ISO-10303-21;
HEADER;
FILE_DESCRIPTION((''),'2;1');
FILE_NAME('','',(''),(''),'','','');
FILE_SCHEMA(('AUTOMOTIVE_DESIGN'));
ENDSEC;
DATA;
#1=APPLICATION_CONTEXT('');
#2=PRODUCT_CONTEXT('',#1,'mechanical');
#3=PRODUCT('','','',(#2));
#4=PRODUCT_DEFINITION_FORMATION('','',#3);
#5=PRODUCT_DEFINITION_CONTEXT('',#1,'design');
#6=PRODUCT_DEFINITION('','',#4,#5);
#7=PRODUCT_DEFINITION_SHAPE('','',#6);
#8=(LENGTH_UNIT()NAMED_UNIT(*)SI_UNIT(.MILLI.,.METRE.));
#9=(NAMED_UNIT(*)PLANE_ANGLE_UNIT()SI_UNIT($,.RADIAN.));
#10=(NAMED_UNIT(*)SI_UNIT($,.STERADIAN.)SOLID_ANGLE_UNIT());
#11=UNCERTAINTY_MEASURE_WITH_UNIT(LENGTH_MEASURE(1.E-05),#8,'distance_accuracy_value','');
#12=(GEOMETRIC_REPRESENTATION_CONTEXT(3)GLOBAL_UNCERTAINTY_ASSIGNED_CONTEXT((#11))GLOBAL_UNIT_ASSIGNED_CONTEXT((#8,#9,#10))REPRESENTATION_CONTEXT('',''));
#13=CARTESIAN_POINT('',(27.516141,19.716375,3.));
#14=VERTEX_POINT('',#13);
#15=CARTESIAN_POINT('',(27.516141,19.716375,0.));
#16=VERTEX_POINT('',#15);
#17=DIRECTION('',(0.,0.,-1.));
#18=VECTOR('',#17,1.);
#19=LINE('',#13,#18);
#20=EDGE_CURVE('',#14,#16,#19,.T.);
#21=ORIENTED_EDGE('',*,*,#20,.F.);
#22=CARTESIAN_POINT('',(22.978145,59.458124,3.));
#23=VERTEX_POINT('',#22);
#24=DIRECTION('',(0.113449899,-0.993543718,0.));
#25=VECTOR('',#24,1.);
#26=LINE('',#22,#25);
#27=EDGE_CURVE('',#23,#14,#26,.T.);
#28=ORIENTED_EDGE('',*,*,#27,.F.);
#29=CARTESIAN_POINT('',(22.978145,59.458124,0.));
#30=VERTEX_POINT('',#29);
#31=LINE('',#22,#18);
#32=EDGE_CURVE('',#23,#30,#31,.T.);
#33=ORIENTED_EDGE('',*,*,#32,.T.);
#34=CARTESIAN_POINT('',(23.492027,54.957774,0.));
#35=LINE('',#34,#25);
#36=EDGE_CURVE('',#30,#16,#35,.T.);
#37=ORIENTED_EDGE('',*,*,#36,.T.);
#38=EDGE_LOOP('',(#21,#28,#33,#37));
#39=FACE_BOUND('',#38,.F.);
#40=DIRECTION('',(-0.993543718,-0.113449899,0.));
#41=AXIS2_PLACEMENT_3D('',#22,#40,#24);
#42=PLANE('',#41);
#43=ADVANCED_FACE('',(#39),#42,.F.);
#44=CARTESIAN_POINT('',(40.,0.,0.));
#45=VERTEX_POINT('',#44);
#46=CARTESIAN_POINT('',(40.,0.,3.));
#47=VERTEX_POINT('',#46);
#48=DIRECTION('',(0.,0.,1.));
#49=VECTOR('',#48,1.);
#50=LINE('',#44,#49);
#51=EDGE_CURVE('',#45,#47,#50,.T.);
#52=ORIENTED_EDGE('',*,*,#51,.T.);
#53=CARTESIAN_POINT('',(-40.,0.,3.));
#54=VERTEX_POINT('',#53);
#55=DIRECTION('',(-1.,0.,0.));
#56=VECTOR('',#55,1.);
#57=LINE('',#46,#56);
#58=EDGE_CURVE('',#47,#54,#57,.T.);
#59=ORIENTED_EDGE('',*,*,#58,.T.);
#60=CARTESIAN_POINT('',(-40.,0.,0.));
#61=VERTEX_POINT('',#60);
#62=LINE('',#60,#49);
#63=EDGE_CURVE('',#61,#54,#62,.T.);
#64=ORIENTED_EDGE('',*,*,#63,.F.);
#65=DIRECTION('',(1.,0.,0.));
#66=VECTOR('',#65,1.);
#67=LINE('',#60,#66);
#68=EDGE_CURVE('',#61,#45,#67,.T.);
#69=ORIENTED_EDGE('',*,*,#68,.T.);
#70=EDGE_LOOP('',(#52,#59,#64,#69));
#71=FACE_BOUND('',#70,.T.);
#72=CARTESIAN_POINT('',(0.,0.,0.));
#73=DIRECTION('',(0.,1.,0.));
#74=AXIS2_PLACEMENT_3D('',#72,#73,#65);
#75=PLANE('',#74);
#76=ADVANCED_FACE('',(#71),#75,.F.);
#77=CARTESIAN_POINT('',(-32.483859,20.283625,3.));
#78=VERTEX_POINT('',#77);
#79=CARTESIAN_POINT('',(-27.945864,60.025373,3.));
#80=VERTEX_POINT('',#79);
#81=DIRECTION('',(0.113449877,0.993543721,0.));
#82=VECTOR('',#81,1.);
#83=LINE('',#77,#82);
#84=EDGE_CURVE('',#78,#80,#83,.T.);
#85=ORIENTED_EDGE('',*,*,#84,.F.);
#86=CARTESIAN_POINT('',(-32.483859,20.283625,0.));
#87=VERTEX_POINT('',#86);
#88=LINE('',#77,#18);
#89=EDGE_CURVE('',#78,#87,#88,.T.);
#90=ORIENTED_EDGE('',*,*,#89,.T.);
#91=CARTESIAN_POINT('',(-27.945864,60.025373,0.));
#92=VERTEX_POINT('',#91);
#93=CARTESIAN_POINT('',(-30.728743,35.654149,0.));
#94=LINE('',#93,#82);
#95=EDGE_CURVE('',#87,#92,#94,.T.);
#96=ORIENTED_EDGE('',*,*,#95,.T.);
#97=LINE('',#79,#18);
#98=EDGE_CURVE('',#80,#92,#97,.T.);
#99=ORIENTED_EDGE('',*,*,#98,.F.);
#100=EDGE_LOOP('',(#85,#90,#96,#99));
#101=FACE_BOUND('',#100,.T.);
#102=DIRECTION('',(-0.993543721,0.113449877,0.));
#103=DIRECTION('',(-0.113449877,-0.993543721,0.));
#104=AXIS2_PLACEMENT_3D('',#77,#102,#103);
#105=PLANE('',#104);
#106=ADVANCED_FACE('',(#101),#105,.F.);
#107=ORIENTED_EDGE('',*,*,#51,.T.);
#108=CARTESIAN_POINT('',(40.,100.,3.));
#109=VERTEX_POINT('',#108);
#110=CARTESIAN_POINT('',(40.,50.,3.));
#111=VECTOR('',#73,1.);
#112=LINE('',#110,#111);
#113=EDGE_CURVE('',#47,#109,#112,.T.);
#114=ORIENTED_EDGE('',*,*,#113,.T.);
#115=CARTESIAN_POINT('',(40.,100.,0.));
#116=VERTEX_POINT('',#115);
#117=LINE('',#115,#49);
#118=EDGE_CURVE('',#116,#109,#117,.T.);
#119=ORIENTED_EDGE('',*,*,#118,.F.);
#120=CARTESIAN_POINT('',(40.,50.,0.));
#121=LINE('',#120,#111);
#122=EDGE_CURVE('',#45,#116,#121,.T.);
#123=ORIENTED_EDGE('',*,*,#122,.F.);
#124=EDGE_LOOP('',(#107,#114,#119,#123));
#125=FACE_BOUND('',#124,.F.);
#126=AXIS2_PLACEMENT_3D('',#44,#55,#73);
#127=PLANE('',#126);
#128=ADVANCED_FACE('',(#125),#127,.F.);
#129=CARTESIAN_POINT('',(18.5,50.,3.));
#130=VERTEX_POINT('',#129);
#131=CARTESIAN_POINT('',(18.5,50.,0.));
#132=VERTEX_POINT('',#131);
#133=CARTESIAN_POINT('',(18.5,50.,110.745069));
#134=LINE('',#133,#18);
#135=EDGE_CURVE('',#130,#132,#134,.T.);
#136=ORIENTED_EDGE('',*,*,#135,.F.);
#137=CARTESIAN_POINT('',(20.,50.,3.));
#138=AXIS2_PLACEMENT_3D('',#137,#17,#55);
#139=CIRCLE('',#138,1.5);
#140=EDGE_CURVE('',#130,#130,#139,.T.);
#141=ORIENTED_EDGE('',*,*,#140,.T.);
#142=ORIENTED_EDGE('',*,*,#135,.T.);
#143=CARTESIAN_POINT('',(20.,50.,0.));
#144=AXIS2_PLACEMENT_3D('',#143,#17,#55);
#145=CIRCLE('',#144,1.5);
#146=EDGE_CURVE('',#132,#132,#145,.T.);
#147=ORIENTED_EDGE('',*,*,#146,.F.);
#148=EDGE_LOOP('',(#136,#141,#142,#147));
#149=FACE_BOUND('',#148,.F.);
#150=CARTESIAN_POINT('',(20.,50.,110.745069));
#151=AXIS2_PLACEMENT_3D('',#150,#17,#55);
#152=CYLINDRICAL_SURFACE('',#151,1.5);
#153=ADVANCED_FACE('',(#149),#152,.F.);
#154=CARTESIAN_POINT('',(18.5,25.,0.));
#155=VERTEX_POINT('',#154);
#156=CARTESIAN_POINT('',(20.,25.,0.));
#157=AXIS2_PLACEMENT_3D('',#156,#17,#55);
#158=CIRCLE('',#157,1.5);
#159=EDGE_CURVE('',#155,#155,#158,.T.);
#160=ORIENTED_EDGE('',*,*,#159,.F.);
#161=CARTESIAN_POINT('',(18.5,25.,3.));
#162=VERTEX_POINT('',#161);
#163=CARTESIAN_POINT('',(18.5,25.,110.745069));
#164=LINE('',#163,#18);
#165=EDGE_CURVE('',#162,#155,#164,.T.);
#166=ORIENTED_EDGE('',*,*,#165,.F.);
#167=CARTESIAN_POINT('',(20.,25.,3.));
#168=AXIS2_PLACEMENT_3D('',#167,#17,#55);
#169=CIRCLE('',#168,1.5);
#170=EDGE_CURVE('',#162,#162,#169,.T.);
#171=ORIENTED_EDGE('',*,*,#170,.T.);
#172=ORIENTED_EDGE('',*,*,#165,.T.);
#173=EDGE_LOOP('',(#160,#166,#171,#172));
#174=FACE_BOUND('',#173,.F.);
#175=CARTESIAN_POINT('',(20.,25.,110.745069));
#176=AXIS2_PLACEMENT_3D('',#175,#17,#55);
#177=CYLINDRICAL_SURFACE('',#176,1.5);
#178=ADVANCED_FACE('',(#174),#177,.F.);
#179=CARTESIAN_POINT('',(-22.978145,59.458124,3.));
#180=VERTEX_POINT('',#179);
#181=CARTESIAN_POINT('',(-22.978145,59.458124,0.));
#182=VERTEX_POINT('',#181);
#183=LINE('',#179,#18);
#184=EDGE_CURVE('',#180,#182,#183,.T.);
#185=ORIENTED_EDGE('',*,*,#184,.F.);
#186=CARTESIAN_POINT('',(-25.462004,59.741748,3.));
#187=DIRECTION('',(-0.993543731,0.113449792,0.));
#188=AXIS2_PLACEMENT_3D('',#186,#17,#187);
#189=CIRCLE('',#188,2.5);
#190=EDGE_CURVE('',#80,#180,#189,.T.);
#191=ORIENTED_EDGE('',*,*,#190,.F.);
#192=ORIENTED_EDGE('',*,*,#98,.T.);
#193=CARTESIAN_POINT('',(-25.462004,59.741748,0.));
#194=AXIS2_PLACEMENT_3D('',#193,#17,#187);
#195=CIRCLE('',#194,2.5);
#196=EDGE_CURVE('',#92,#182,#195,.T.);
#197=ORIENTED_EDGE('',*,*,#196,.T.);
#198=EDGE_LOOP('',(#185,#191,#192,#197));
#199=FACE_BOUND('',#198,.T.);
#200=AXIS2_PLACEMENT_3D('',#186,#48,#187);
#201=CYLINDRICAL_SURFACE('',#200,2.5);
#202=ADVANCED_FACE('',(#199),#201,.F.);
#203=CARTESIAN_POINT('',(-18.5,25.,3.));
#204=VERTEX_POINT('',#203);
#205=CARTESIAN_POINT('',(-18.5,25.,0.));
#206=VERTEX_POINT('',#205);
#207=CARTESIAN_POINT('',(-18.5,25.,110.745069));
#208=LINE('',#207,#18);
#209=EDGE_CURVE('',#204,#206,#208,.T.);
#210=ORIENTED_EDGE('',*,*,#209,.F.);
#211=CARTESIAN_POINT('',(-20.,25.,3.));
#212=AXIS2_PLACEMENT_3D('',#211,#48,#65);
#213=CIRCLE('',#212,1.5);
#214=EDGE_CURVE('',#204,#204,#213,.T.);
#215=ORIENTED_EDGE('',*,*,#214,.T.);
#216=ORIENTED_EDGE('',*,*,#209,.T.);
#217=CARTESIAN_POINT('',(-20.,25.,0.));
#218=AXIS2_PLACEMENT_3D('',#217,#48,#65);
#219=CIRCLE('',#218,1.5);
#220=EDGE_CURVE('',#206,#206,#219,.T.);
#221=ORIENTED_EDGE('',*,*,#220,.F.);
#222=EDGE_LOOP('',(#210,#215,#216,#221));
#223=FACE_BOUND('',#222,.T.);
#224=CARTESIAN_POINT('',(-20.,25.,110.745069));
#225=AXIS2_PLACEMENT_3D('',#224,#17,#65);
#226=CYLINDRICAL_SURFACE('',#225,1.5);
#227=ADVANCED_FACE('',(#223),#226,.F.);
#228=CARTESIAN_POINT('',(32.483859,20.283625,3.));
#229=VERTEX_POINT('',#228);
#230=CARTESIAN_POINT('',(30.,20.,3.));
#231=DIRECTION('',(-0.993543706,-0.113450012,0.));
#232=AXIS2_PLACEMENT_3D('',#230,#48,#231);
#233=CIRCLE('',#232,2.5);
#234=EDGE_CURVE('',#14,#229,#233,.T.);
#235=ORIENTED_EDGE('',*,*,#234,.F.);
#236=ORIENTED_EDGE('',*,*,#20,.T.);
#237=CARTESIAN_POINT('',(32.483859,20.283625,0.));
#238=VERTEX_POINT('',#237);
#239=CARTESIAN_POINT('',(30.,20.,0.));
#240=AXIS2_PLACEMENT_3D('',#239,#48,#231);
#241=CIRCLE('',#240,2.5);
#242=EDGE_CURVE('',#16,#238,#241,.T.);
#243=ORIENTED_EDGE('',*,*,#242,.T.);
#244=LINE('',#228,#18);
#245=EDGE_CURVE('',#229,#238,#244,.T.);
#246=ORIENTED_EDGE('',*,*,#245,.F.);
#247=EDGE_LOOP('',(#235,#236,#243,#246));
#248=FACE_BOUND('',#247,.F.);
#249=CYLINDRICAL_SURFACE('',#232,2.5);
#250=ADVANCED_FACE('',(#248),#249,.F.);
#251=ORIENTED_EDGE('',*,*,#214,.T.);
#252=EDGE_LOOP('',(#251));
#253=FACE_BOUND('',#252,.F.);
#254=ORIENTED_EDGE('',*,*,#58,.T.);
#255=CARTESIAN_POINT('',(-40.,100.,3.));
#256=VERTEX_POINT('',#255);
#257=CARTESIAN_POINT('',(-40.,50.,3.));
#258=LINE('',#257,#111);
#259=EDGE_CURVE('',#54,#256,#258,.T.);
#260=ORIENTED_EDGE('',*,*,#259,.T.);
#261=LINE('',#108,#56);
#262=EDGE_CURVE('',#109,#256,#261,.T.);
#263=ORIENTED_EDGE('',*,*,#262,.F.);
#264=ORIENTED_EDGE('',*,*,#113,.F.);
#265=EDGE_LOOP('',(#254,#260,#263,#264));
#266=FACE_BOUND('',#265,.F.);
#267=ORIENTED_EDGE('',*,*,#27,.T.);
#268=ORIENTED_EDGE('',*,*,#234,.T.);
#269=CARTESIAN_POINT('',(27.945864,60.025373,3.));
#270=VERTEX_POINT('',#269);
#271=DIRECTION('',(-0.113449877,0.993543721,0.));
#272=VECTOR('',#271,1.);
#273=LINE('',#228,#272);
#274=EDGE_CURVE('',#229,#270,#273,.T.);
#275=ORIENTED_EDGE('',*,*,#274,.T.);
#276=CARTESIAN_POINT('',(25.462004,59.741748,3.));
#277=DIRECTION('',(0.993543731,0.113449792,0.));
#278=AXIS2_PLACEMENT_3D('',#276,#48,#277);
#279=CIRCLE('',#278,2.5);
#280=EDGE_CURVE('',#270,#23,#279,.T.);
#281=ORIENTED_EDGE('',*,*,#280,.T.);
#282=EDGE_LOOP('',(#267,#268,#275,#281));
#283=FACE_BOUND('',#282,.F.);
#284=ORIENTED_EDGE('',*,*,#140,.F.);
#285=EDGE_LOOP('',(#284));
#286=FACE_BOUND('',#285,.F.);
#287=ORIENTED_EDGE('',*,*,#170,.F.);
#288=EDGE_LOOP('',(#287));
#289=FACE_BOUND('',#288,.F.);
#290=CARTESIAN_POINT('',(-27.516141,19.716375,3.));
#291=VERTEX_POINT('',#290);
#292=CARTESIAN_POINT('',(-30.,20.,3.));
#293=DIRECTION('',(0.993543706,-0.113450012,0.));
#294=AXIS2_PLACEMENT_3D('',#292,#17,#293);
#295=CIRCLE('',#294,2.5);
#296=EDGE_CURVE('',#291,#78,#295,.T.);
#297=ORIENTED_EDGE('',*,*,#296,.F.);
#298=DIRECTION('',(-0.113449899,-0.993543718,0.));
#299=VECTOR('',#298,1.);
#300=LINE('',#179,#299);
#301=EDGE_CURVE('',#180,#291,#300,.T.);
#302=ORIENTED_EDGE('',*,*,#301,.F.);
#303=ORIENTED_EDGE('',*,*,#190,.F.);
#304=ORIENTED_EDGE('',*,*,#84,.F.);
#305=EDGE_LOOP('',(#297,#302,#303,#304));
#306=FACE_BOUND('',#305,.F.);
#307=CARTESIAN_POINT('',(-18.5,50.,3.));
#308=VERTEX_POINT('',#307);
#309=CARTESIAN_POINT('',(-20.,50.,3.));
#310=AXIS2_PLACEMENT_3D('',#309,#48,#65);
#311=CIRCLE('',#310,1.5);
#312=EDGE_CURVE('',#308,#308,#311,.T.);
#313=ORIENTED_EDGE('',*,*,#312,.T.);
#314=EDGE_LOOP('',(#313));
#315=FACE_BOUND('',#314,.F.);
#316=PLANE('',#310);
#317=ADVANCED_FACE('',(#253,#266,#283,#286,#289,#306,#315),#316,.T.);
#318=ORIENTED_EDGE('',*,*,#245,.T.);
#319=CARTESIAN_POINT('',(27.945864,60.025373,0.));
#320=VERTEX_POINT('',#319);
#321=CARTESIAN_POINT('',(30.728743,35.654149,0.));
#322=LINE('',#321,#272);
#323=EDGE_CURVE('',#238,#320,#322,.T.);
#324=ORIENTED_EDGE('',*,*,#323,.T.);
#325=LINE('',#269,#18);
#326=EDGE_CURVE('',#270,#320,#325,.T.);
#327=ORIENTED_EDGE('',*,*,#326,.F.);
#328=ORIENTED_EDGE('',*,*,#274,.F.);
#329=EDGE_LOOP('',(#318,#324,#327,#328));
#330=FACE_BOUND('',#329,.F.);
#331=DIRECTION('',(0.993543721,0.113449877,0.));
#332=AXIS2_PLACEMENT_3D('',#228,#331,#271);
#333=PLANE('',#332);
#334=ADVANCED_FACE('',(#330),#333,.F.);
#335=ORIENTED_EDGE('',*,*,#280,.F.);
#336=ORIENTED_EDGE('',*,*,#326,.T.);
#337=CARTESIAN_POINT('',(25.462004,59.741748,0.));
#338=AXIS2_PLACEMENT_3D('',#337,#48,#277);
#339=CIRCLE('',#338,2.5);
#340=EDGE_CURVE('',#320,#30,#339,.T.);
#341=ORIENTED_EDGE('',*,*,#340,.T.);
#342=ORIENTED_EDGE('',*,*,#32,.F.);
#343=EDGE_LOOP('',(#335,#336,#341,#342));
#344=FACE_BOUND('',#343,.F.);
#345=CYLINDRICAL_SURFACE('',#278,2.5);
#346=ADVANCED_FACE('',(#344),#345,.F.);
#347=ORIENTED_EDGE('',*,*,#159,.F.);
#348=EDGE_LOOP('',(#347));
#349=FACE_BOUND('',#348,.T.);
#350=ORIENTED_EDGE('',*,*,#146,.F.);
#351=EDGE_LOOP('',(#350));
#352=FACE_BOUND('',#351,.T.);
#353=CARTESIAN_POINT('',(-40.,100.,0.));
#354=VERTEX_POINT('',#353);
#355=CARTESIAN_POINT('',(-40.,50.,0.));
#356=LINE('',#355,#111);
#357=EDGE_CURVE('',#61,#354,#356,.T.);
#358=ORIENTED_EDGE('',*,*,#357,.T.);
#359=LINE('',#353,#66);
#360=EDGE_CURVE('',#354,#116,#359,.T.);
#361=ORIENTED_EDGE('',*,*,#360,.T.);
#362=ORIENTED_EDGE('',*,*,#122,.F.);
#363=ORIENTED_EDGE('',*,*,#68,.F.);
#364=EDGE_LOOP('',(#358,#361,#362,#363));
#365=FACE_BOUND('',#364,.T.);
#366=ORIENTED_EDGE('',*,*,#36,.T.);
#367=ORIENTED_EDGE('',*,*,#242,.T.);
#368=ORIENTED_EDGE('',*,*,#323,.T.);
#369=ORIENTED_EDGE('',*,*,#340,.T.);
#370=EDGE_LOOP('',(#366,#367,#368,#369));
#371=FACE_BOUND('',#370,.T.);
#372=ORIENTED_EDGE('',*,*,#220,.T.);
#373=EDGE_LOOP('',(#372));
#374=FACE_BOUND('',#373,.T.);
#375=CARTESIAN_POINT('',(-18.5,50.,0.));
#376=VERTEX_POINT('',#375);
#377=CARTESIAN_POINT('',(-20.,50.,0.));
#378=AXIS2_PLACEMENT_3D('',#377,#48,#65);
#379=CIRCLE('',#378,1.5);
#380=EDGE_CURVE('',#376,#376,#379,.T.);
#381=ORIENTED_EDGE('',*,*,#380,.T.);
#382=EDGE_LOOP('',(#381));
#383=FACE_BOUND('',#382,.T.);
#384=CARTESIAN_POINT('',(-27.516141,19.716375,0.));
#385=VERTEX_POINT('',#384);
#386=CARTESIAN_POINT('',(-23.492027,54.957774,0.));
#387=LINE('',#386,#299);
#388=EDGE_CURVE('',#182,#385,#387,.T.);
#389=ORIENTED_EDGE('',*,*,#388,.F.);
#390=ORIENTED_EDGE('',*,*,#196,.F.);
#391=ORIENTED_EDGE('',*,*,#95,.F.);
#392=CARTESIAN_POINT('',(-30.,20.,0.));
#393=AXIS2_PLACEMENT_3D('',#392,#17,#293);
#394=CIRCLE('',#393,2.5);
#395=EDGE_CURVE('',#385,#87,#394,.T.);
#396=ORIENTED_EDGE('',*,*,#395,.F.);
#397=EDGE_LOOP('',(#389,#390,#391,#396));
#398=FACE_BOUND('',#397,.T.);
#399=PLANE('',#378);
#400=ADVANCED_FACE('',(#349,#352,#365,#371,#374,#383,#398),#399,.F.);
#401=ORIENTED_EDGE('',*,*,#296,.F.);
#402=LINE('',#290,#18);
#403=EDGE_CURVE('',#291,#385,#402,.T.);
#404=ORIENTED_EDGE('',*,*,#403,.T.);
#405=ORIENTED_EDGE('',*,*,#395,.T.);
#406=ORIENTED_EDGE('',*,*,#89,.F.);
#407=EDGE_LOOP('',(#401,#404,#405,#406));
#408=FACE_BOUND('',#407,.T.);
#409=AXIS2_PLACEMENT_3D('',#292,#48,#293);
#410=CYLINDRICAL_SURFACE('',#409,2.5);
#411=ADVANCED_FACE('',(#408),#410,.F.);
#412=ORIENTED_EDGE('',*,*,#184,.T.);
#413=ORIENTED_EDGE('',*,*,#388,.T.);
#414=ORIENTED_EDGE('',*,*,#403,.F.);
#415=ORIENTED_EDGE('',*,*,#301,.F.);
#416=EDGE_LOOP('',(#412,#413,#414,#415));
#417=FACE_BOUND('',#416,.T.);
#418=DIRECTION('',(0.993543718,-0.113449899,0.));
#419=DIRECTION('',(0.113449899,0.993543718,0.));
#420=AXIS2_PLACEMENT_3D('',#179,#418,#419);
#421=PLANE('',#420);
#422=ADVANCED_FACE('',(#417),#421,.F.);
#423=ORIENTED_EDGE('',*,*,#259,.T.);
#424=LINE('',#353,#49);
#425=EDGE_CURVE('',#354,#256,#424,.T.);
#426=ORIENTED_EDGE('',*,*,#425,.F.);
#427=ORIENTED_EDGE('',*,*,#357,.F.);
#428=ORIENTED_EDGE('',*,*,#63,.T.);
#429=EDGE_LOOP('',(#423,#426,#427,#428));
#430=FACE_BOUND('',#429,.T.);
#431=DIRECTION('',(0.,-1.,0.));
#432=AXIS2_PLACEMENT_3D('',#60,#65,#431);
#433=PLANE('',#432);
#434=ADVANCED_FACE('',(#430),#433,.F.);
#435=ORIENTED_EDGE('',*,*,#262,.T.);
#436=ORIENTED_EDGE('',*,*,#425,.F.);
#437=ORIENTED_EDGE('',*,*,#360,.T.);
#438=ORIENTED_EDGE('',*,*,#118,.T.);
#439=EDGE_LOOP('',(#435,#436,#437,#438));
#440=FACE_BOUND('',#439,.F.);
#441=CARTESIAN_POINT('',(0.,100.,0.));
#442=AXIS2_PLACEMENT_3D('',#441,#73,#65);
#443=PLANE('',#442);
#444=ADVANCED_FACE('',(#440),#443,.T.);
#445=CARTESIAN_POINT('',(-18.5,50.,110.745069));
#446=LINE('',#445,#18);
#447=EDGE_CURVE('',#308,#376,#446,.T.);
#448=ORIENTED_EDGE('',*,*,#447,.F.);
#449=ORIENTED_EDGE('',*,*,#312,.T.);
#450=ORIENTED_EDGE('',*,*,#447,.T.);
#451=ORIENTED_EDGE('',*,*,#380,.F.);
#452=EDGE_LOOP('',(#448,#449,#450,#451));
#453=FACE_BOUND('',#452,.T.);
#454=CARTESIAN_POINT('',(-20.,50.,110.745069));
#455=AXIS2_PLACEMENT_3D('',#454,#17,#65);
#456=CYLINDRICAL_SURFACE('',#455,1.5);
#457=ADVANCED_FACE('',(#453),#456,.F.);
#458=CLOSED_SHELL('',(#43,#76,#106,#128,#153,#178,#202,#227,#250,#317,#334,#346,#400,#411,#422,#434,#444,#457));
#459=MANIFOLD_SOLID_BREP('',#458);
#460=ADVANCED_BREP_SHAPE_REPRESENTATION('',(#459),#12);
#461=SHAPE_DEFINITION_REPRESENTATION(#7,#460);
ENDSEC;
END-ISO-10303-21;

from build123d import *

# Parameters (mm, degrees)
F0_W     = 40
F0_H     = 100
F1_DEPTH = 3
F4_D     = 3
F7_DEPTH = 41.597918


with BuildPart() as f1:
    # F0 (on Top) → F1 (new body)
    with BuildSketch(Plane.XY):
        with Locations((20, 50)):
            Rectangle(F0_W, F0_H)
    extrude(amount=F1_DEPTH)

    # F4 (through all)
    with Locations(Plane.XY.offset(3)):
        with Locations((20, 50), (20, 25)):
            Hole(F4_D / 2)

    # F6 (on face) → F7 (cut)
    with BuildSketch(Plane.XY.offset(3)):
        with BuildLine():
            ThreePointArc((27.516141, 19.716375), (30.283625, 17.516141), (32.483859, 20.283625))
            Line((32.483859, 20.283625), (27.945864, 60.025373))
            ThreePointArc((27.945864, 60.025373), (25.17838, 62.225608), (22.978145, 59.458124))
            Line((22.978145, 59.458124), (27.516141, 19.716375))
        make_face()
    extrude(amount=-F7_DEPTH, mode=Mode.SUBTRACT)

    # F8: F1 across plane


with BuildPart() as f1_1:
    add(f1.part)
    add(f1.part.mirror(Plane.YZ))


solid = f1_1.part
